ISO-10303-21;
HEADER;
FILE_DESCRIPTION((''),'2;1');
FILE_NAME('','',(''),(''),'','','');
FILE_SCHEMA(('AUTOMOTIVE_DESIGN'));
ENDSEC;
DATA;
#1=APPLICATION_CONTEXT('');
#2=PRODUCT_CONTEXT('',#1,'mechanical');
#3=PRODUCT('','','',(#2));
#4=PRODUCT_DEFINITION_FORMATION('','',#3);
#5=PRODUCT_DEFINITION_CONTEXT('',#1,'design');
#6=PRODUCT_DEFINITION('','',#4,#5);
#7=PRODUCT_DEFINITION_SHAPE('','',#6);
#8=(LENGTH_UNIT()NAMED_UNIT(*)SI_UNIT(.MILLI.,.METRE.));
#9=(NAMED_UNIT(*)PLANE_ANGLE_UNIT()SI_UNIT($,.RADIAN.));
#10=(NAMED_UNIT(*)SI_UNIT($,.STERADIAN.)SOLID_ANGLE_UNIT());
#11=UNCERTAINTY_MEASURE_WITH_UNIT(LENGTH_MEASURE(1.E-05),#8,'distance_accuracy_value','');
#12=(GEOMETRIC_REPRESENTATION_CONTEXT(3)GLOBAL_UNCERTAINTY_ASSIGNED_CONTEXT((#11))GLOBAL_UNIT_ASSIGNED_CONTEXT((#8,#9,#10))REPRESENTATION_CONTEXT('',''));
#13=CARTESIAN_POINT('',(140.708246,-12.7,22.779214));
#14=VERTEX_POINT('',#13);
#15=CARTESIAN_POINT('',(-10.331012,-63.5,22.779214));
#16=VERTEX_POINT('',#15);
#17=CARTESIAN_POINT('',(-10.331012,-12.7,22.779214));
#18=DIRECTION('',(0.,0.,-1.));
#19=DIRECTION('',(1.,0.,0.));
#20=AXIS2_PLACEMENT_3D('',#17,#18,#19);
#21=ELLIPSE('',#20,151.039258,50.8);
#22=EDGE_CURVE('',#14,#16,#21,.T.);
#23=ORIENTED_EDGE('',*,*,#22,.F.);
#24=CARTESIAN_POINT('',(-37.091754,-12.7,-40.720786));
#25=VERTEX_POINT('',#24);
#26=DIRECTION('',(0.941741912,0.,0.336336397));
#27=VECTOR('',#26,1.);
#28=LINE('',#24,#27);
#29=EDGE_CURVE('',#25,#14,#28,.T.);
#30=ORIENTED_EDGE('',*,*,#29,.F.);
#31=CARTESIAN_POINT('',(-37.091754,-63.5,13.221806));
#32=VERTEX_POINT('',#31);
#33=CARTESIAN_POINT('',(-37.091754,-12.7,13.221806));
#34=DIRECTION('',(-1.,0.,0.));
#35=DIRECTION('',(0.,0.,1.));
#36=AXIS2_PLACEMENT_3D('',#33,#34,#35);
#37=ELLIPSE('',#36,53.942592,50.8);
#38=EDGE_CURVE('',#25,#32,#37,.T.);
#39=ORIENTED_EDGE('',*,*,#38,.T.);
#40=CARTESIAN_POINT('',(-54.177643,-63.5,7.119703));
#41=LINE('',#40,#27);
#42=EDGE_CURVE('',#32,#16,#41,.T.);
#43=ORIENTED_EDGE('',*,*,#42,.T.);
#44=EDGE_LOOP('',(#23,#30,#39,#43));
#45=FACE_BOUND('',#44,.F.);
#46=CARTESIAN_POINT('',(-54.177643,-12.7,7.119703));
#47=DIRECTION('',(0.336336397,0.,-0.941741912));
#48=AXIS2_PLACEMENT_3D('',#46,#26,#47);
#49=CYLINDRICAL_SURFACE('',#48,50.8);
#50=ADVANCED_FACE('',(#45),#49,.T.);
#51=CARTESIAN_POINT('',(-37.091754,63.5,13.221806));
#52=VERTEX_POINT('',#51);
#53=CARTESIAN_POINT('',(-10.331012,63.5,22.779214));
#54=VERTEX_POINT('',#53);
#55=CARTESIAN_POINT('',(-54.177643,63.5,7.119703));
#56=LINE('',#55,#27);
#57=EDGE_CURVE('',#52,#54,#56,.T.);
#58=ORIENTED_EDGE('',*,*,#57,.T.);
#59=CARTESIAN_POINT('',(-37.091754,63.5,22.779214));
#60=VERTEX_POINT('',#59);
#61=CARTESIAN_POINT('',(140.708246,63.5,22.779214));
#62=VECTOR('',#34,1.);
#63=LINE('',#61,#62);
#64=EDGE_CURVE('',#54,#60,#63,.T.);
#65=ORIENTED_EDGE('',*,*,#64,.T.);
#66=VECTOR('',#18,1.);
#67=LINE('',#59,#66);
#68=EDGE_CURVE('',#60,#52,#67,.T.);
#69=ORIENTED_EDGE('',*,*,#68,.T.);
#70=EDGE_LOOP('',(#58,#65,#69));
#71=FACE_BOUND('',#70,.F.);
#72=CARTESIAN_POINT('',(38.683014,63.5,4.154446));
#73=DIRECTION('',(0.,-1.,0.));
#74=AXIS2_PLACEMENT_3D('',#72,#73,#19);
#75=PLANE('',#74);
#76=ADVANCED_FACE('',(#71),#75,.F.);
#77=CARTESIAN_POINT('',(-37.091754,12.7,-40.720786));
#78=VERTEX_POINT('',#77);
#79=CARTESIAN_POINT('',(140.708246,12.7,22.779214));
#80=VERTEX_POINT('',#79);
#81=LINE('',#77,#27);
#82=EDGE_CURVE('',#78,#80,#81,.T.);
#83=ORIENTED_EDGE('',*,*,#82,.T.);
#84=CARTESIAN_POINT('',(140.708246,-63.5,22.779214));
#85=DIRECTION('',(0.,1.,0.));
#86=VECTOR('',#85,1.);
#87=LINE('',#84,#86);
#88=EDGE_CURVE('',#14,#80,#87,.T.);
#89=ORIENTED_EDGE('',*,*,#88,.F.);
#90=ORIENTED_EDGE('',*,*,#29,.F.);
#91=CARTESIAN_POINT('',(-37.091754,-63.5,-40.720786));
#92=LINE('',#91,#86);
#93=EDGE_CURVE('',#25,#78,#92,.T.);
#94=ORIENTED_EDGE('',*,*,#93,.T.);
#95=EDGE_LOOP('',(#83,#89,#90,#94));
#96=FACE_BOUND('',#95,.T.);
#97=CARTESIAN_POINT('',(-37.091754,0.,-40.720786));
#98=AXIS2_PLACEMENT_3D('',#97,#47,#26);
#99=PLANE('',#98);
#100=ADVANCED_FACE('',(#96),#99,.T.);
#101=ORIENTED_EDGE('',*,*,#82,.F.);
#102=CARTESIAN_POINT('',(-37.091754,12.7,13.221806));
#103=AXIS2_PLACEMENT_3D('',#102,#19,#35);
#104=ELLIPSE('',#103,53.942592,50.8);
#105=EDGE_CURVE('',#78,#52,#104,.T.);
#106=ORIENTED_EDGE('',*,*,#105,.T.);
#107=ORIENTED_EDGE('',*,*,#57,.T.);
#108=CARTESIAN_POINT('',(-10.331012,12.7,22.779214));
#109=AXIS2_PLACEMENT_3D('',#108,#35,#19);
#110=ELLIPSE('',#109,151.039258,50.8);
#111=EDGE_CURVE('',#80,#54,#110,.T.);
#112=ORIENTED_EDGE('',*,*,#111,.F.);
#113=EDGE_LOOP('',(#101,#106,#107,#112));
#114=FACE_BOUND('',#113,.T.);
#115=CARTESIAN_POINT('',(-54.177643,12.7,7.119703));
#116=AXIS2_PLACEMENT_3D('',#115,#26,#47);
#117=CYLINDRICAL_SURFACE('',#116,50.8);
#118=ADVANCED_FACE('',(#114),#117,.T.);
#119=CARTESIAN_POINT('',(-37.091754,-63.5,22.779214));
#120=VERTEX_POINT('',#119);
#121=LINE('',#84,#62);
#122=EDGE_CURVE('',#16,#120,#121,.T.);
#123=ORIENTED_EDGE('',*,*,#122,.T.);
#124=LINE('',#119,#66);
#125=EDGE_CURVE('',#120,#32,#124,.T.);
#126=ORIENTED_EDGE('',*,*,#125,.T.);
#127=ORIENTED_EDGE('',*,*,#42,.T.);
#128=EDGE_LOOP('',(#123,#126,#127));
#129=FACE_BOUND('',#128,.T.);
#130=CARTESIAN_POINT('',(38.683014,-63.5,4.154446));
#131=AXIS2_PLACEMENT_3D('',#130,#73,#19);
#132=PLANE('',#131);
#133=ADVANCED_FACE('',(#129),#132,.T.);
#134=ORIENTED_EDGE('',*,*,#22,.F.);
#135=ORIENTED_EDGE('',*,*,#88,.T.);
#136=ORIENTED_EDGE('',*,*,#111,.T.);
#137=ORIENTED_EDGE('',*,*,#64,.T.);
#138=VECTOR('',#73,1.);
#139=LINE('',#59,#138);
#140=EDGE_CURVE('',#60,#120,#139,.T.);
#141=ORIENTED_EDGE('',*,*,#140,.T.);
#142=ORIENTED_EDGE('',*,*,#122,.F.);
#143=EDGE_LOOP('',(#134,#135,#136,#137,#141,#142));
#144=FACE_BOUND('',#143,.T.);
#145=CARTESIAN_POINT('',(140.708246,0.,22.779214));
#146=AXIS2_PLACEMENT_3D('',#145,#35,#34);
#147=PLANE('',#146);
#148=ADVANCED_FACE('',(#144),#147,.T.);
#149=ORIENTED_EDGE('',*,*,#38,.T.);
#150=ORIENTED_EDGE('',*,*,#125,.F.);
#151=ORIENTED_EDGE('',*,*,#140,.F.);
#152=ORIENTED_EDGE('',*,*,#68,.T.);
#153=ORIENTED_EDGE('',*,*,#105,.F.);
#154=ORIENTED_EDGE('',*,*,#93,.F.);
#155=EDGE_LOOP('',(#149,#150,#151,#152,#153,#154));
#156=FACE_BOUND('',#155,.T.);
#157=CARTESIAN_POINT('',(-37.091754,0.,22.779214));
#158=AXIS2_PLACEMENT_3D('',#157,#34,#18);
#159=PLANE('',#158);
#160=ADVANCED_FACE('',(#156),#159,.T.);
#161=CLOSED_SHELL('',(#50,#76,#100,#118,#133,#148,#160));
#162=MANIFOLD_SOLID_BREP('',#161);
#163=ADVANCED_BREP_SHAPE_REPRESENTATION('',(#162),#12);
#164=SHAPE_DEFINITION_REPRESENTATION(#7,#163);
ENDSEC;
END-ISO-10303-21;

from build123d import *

# Parameters (mm, degrees)
F1_DEPTH = 63.5
F2_R     = 50.8


with BuildPart() as f1:
    # F0 (on Front) → F1 (new body, symmetric)
    with BuildSketch(Plane.XZ):
        Polygon((140.708246, 22.779214), (-37.091754, 22.779214), (-37.091754, -40.720786), align=None)
    extrude(amount=F1_DEPTH, both=True)

    # F2
    f2_edges = [f1.edges().sort_by_distance(p)[0] for p in [
        (51.808246, 63.5, -8.970786),
        (51.808246, -63.5, -8.970786),
    ]]
    fillet(f2_edges, radius=F2_R)


solid = f1.part
